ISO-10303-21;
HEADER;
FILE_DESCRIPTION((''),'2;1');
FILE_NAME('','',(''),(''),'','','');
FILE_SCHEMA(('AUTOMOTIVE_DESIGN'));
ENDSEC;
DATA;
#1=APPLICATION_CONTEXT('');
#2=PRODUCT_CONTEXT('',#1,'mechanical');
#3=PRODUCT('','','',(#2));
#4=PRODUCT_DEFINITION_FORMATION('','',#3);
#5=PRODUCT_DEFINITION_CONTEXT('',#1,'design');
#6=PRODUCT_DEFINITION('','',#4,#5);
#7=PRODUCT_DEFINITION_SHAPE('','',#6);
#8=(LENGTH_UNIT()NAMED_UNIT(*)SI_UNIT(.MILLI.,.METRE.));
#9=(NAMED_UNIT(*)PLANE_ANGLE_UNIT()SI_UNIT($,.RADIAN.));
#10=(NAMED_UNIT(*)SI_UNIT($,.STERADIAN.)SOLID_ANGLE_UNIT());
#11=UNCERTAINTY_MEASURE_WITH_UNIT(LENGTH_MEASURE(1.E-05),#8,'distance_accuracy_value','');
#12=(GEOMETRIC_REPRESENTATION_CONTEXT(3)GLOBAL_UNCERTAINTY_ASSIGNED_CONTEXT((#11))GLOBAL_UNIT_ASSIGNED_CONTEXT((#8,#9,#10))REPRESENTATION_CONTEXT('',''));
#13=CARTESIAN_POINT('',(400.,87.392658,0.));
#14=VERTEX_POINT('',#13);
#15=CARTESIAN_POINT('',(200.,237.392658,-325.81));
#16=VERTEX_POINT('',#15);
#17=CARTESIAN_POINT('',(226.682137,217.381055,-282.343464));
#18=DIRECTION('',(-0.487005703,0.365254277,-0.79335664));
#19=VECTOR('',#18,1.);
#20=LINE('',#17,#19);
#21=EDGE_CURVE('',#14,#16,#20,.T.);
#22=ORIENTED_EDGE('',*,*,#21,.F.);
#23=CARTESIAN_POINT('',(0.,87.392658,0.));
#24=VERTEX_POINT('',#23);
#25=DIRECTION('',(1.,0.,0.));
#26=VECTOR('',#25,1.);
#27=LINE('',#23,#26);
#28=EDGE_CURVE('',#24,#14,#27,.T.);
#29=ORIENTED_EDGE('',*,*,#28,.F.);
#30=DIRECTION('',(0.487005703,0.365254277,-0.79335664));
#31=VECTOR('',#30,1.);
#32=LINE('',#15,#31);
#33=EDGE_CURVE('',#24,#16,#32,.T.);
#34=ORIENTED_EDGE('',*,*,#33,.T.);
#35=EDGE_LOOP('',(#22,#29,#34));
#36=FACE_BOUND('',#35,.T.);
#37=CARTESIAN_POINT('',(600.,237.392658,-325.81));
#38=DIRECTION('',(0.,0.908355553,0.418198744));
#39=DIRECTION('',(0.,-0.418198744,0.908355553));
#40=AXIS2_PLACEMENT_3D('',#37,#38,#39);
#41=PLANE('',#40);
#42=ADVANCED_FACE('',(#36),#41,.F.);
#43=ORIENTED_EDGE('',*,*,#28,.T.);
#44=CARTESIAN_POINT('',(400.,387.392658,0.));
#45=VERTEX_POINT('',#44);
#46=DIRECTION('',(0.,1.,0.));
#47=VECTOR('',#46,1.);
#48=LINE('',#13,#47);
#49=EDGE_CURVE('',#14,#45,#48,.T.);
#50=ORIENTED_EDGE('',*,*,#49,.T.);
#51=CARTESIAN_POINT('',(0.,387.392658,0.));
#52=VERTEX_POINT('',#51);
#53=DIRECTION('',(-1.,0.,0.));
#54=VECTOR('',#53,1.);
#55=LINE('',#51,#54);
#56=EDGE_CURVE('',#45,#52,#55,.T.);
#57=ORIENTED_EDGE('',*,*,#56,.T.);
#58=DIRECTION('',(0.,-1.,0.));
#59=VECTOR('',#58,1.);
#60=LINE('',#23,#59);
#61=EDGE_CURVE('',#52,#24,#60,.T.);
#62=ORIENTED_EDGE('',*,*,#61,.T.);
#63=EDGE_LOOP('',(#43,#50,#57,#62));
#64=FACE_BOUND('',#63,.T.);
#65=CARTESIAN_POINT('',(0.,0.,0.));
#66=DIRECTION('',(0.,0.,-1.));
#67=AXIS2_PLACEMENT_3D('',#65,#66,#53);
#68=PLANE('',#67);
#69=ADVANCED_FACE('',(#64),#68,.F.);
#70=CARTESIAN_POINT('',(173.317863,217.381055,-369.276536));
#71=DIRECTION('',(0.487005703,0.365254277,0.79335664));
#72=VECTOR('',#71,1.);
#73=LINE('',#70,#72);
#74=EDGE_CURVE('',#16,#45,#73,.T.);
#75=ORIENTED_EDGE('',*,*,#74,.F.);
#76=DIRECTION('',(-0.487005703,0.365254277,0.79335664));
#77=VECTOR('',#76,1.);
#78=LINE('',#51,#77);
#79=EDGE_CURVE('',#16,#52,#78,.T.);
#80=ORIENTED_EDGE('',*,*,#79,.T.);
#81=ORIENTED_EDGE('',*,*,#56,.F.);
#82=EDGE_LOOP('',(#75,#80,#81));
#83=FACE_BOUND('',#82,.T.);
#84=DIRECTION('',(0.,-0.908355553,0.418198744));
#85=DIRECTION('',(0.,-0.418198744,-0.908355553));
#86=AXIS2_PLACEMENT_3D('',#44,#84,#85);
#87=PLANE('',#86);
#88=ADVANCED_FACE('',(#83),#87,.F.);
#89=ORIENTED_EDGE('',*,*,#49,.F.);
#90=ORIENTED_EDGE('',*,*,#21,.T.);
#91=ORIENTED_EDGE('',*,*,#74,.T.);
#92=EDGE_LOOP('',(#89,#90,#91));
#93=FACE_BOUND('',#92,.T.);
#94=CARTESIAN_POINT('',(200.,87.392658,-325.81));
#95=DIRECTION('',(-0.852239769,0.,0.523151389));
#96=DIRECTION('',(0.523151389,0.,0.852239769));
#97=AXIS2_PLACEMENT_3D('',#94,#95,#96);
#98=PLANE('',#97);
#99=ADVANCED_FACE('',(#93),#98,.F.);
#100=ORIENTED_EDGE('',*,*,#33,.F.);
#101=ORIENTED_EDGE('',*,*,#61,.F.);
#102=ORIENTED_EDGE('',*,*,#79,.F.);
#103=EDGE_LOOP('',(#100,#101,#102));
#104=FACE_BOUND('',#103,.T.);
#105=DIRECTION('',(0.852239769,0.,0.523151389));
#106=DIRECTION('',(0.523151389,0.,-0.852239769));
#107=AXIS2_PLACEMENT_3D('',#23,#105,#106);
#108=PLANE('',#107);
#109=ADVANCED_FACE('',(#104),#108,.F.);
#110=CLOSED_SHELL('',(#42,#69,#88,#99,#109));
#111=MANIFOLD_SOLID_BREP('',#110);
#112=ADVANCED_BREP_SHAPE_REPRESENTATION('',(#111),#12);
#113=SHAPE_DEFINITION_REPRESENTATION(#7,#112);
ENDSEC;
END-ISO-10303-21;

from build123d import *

# Parameters (mm, degrees)
ESQUISSE4_W             = 400
ESQUISSE4_H             = 300
BOSS_EXTRU_1_DEPTH      = 325.81
ENL_V_MAT_EXTRU_1_DEPTH = 597.784849087
ENL_V_MAT_EXTRU_3_DEPTH = 758.184749953


with BuildPart() as part:
    # Esquisse4 → Boss.-Extru.1 (new body)
    with BuildSketch(Plane.XY):
        with Locations((200, 237.392658036)):
            Rectangle(ESQUISSE4_W, ESQUISSE4_H)
    extrude(amount=-BOSS_EXTRU_1_DEPTH)

    # Esquisse9 → Enlèv. mat.-Extru.1 (cut, through all)
    with BuildSketch(Plane(origin=(0, 387.392658036, 0), x_dir=(1, 0, 0), z_dir=(0, 1, 0))):
        Polygon((0, 0), (200, 325.81), (400, 0), (400, 335.81), (0, 335.81), align=None)
    extrude(amount=-ENL_V_MAT_EXTRU_1_DEPTH, mode=Mode.SUBTRACT)

    # Esquisse10 → Enlèv. mat.-Extru.3 (cut, through all, along a direction that is not the sketch's normal)
    with BuildSketch(Plane(origin=(0, 0, 0), x_dir=(-0.5231513885267656, 0, 0.8522397694795271), z_dir=(-0.8522397694795271, 0, -0.5231513885267656))):
        Polygon((0, 387.392658036), (-382.298516999, 237.392658036), (0, 87.392658036), (-392.298516999, 87.392658036), (-392.298516999, 387.392658036), align=None)
    extrude(amount=-ENL_V_MAT_EXTRU_3_DEPTH, dir=(-1, 0, 0), mode=Mode.SUBTRACT)


solid = part.part
